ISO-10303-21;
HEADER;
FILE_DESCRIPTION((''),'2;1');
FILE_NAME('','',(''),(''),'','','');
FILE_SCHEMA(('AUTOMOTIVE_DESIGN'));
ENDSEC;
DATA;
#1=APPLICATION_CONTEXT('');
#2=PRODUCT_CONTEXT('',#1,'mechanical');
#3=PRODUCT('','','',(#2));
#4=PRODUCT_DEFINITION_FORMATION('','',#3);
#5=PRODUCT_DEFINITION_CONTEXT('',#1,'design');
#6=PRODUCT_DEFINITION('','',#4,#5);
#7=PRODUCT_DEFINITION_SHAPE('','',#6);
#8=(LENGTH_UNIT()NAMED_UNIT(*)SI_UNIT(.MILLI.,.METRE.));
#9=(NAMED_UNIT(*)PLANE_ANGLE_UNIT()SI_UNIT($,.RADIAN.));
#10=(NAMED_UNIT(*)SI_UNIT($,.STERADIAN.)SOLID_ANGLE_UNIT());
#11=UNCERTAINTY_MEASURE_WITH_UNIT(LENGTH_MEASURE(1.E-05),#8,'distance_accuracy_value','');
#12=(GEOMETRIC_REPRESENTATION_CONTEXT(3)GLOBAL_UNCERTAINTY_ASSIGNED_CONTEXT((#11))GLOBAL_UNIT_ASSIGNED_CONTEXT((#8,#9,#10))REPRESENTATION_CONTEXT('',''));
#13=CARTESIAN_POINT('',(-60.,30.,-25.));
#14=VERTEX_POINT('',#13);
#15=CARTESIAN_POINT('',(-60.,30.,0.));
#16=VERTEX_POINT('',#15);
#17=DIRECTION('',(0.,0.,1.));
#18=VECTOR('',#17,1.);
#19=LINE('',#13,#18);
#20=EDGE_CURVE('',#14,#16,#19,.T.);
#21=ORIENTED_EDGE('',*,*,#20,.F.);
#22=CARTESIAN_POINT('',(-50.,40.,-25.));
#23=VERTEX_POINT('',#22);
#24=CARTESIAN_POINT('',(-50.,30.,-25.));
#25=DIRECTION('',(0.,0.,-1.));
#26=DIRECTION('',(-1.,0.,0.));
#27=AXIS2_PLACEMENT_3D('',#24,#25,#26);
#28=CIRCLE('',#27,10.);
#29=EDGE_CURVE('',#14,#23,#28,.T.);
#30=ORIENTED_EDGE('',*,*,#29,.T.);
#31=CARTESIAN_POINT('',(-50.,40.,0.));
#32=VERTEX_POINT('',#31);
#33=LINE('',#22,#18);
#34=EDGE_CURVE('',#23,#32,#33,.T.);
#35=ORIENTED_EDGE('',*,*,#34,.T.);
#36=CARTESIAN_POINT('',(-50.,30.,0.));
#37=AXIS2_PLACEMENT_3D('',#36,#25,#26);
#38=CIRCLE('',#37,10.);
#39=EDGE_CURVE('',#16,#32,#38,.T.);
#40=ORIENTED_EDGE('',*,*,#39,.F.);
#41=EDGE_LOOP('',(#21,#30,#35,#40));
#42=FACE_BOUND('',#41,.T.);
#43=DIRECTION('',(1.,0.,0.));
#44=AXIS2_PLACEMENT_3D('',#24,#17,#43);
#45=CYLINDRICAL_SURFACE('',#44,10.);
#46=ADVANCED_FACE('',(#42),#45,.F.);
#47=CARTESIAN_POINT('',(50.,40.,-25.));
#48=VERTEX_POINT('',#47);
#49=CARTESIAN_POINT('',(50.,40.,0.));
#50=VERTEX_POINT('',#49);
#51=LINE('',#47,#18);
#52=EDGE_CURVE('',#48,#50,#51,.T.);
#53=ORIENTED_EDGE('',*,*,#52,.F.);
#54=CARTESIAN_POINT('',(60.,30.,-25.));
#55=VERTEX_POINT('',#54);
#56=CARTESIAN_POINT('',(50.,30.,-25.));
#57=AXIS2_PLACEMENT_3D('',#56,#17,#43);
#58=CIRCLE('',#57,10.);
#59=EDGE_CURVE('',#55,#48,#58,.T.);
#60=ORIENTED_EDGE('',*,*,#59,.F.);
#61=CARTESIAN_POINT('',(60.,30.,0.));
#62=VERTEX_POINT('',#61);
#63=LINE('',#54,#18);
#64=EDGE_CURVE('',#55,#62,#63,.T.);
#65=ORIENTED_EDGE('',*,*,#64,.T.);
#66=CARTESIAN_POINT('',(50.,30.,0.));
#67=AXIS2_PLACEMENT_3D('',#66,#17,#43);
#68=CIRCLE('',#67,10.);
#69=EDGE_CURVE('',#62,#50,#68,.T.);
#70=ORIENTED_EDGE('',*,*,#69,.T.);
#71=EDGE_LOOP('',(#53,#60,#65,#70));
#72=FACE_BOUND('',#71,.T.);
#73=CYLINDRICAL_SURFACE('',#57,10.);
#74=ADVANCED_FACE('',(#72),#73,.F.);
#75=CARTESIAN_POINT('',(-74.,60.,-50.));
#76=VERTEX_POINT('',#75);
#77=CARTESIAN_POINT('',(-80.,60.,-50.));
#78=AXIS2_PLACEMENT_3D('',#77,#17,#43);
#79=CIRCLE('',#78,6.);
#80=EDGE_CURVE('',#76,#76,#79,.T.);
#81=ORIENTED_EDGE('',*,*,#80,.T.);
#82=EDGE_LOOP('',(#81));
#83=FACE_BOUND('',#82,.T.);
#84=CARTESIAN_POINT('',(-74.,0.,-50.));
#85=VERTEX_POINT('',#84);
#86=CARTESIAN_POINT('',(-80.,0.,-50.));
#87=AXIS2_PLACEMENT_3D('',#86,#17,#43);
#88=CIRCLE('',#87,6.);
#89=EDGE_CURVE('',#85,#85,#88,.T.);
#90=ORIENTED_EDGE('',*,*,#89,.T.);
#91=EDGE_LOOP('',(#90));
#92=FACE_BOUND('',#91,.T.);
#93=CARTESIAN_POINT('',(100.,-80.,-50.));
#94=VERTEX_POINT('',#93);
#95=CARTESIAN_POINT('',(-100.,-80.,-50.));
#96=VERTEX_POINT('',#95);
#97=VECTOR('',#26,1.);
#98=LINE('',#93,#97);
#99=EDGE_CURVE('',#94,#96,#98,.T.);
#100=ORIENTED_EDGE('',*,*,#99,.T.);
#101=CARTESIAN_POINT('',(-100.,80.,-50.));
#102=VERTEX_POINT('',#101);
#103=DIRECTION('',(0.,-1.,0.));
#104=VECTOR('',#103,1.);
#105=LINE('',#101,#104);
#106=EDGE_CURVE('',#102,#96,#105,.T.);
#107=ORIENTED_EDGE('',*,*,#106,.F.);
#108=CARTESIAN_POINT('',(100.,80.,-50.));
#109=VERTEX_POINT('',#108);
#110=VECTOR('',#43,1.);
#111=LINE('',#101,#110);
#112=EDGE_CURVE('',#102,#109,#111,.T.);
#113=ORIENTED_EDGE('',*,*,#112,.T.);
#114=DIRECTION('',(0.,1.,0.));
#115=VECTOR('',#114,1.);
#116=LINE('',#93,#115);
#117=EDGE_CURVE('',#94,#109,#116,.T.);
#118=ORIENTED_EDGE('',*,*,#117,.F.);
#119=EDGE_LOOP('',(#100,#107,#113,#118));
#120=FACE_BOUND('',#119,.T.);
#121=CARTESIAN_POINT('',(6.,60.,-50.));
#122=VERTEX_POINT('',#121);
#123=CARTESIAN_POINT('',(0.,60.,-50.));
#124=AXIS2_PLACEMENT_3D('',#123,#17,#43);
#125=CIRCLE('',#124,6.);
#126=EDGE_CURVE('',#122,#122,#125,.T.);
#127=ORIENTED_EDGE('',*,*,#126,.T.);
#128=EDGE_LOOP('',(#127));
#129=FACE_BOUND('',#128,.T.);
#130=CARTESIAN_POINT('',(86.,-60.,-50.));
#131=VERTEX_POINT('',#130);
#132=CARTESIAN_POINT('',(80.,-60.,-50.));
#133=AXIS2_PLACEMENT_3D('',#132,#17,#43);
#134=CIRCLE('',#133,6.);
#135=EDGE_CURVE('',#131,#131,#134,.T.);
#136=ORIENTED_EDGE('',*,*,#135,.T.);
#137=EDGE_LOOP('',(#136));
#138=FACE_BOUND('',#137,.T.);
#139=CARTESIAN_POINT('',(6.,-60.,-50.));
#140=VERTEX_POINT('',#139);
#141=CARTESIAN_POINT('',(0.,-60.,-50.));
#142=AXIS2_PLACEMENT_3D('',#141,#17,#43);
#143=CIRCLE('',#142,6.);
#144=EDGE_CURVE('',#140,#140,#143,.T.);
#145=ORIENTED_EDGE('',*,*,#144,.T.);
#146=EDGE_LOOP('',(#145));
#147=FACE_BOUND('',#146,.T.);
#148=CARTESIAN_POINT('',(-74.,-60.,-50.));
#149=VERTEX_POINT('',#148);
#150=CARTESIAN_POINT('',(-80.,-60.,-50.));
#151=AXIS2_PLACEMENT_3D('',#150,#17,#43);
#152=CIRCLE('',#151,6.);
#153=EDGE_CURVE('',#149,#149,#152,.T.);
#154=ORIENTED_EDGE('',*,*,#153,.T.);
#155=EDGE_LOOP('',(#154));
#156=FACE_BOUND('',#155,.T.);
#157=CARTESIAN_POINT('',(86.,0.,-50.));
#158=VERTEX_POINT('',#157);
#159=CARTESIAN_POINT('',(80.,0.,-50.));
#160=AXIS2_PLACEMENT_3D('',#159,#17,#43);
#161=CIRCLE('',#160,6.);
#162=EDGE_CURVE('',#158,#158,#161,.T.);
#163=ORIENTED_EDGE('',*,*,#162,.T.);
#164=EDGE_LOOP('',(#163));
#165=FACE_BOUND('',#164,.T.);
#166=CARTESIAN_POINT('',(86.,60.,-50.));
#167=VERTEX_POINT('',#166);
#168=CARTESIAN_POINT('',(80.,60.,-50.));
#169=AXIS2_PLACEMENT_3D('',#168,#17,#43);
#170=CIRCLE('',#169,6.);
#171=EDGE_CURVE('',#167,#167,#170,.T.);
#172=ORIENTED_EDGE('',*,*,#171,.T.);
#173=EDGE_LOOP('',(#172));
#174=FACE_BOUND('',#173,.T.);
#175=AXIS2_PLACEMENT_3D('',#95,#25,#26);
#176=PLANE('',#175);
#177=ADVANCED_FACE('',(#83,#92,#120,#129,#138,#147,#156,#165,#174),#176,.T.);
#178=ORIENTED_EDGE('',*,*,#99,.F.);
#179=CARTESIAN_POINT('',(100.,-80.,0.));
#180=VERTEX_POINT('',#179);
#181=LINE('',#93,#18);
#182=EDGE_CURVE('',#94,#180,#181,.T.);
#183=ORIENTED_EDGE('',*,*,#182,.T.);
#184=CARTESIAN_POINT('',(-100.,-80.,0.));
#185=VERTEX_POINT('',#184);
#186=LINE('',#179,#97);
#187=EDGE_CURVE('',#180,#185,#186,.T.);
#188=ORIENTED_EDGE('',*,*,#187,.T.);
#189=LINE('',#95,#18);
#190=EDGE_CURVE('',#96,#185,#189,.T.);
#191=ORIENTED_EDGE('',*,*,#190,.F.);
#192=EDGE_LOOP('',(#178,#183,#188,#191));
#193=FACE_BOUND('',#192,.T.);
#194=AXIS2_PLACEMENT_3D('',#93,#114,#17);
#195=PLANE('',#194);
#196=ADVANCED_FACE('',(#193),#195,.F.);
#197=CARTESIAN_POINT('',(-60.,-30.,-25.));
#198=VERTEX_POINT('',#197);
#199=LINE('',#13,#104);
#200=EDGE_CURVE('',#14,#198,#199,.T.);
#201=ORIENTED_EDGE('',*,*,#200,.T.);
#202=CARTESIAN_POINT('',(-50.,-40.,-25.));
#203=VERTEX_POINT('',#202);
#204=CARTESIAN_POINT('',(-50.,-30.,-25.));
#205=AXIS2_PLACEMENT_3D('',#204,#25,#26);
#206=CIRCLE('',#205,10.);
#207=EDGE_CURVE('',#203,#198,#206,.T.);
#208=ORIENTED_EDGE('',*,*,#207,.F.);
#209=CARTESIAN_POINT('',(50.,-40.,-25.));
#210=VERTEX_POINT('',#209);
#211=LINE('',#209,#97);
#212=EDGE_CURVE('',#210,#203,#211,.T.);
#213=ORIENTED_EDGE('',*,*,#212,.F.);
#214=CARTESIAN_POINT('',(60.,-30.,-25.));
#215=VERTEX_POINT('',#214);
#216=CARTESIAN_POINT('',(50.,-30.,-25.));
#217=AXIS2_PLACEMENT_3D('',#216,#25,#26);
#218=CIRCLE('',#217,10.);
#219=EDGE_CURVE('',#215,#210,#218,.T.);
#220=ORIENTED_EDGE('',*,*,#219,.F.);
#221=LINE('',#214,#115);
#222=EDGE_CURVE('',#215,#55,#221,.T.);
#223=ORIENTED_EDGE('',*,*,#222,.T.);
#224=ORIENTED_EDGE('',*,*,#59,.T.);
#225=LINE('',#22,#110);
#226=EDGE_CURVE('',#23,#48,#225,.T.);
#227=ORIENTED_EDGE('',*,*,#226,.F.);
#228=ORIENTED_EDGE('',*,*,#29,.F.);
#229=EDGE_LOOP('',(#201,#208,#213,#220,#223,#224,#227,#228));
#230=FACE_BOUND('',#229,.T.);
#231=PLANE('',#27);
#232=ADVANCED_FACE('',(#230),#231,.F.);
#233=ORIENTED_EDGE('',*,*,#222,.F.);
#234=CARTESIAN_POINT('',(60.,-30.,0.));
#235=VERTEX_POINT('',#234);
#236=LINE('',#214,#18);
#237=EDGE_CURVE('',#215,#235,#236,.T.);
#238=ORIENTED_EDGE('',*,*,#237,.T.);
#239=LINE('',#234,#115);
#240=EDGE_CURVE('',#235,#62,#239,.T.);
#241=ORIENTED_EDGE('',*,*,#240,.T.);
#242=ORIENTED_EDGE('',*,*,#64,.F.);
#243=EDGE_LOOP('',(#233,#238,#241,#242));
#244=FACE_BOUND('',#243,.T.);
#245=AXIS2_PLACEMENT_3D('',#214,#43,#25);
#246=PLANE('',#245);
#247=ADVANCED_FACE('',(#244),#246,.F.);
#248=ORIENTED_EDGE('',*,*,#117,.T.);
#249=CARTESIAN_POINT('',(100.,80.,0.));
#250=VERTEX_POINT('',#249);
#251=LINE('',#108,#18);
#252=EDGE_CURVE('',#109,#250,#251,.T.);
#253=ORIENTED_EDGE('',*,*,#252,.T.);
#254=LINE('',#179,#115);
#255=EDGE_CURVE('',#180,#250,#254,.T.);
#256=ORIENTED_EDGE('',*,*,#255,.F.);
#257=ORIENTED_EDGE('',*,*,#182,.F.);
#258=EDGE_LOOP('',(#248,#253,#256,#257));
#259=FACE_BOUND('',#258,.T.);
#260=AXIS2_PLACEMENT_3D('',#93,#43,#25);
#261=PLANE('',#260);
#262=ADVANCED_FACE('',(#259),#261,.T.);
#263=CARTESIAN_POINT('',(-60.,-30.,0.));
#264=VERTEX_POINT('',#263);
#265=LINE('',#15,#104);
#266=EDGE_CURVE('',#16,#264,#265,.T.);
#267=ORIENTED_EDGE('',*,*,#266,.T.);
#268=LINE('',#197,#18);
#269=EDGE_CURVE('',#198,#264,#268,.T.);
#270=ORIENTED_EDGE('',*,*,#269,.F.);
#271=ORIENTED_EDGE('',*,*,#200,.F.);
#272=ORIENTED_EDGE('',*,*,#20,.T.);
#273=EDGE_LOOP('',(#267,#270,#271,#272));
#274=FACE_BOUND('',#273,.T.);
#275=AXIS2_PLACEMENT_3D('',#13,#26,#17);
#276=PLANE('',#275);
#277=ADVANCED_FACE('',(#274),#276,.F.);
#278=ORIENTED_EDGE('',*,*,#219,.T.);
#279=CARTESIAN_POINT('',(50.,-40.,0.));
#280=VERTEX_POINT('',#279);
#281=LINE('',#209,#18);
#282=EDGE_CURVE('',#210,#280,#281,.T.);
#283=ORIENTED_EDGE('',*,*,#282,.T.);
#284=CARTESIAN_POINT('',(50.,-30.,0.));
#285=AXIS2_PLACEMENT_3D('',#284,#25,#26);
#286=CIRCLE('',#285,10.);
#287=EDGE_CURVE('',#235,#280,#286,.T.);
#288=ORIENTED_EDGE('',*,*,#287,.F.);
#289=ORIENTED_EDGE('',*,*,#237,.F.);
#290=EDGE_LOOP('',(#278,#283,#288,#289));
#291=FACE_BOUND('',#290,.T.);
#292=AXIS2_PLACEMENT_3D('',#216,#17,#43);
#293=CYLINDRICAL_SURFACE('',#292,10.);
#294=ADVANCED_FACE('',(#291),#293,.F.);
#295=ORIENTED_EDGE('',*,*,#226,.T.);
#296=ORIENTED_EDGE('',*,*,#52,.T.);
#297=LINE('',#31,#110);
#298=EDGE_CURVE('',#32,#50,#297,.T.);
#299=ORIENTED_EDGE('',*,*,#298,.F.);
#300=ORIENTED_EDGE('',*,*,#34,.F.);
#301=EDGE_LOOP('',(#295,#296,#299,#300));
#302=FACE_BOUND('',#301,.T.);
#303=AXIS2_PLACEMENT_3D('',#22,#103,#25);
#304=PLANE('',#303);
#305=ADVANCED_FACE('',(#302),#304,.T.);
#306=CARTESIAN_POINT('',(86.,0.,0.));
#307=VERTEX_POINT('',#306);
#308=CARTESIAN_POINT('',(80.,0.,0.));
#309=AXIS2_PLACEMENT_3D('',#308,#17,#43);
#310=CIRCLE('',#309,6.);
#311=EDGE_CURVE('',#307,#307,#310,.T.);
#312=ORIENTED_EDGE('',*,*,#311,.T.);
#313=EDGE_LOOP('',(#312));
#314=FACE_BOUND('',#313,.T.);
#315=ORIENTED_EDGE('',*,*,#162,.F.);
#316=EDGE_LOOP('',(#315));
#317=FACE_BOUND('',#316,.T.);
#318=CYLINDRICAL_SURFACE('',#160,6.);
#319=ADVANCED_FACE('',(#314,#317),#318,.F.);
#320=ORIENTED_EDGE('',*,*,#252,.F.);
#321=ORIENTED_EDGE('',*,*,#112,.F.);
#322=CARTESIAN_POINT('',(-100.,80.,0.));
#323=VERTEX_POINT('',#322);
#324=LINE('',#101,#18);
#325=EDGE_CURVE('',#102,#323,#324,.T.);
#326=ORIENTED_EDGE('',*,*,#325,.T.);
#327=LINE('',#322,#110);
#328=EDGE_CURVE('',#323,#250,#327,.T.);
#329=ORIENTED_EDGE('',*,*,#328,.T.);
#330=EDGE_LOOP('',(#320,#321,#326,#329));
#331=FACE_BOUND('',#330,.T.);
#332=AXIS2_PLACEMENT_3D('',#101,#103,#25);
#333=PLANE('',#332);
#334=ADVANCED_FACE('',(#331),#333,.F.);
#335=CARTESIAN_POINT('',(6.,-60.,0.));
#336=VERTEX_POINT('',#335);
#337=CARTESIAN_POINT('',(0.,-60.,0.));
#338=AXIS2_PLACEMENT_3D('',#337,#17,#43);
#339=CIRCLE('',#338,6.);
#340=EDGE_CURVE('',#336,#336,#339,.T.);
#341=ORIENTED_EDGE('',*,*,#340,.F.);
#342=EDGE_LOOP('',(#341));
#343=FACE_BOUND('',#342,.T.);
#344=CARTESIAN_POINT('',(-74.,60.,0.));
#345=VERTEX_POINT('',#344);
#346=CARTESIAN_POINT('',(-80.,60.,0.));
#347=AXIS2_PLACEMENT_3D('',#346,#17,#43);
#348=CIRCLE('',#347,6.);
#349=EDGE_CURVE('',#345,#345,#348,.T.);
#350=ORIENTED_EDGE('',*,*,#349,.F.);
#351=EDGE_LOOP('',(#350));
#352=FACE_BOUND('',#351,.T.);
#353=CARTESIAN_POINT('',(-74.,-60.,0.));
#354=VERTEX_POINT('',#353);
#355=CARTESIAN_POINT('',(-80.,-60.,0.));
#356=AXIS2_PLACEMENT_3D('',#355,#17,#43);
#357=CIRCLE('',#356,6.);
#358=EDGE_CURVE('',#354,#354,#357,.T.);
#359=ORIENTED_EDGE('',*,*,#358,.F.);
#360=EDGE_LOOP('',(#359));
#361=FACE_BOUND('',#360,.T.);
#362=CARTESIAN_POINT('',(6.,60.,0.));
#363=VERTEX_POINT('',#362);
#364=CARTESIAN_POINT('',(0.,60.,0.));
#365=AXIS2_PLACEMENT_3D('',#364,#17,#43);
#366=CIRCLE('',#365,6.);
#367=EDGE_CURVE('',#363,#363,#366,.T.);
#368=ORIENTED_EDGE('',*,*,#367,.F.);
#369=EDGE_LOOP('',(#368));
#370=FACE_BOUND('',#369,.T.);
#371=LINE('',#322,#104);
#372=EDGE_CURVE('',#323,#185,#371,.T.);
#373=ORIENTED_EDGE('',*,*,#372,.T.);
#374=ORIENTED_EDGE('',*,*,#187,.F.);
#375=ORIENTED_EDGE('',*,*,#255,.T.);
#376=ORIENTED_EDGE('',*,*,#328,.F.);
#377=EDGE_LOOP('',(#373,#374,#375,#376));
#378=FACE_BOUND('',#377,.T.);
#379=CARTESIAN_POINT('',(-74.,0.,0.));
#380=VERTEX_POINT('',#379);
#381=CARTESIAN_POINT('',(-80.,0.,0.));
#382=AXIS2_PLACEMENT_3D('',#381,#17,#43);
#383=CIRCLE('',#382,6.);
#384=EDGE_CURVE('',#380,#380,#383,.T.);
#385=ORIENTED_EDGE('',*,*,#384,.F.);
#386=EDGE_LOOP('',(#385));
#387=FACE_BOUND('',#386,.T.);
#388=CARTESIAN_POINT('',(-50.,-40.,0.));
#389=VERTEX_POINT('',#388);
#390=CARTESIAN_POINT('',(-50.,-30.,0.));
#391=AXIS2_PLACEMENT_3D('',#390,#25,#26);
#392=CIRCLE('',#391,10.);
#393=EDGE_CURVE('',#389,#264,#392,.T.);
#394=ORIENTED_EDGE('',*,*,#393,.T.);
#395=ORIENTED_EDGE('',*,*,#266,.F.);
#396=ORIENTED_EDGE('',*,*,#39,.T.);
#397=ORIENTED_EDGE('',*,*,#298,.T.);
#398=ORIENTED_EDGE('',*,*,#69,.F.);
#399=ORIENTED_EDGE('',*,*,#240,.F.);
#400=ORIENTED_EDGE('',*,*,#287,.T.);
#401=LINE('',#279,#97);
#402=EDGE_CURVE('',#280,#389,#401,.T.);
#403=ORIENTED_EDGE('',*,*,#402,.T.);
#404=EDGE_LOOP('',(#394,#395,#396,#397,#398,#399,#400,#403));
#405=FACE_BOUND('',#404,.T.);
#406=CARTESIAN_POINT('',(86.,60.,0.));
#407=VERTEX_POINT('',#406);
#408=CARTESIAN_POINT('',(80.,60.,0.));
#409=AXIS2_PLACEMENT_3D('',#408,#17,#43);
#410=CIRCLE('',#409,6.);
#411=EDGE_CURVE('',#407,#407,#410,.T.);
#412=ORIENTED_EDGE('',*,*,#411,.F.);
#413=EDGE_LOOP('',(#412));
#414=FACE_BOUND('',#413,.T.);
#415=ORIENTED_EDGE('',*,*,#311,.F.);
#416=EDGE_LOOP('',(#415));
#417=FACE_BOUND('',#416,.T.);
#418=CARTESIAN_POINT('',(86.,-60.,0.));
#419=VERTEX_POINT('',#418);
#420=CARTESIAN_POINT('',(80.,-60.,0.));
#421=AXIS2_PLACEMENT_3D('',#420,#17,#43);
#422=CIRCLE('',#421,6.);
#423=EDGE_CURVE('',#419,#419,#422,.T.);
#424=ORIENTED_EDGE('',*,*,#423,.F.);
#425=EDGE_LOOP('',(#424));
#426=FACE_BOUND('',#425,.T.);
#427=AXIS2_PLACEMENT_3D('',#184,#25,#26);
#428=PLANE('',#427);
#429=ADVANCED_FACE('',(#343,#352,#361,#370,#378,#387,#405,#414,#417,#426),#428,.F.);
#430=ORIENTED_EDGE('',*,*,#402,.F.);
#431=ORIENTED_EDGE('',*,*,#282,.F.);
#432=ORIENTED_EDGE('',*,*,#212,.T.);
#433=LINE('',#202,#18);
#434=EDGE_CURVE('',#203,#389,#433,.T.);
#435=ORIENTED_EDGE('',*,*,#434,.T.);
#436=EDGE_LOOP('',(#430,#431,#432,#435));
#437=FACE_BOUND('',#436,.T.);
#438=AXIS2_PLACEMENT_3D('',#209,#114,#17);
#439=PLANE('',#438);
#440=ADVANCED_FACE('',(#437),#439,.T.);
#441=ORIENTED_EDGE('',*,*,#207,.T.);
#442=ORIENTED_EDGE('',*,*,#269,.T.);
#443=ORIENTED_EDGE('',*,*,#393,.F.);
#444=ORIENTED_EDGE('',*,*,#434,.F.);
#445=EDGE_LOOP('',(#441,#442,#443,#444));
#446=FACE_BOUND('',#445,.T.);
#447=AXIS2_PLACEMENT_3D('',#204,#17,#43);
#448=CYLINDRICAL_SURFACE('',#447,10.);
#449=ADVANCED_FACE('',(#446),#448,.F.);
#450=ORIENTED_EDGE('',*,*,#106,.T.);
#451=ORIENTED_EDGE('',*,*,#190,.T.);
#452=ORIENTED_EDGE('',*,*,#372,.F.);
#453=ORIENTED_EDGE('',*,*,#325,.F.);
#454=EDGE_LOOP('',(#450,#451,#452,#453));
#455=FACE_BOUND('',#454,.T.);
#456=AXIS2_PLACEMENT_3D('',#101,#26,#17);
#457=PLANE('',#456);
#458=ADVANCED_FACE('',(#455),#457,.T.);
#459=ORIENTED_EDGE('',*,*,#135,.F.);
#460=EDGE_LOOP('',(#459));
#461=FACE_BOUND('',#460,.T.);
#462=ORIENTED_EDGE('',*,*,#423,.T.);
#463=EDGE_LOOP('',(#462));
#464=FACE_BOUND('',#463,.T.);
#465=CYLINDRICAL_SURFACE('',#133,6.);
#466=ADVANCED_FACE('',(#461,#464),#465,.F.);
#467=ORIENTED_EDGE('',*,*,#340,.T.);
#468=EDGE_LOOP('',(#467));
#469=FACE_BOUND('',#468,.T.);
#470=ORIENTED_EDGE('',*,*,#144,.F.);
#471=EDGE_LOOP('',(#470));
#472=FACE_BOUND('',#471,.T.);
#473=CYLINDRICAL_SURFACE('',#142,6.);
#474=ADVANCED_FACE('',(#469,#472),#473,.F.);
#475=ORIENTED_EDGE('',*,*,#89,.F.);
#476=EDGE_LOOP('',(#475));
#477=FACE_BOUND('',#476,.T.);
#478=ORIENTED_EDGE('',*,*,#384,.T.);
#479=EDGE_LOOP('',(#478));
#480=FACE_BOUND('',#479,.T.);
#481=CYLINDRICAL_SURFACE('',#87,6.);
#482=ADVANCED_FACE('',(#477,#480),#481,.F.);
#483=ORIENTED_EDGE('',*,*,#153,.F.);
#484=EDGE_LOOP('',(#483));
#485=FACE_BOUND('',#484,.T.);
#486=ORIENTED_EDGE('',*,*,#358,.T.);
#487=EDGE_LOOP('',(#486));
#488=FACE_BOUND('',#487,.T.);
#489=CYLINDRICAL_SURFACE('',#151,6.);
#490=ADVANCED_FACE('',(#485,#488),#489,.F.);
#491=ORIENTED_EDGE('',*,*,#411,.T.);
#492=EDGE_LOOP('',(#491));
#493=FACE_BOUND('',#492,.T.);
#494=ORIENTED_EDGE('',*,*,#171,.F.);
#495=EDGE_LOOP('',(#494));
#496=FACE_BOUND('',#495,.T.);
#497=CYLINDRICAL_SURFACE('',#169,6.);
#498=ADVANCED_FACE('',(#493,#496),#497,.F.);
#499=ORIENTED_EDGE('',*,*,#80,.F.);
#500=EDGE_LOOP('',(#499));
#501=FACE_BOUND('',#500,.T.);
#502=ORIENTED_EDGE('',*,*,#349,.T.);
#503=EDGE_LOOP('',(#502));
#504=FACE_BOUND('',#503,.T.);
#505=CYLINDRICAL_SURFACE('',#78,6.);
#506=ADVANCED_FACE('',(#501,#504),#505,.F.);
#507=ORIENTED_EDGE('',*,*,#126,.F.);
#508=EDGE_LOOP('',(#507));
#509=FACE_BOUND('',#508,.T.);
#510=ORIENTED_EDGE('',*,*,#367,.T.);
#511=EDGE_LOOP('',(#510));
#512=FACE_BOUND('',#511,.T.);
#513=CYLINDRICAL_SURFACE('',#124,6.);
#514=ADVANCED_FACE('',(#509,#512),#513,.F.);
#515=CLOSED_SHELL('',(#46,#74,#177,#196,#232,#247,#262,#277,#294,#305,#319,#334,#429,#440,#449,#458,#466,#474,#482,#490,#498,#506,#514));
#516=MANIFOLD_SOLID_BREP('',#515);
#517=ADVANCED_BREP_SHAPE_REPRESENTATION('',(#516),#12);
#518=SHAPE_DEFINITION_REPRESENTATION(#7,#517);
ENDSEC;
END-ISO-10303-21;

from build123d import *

# Parameters (mm, degrees)
SKETCH1_W          = 200
SKETCH1_H          = 160
BASE_EXTRUDE_DEPTH = 50
CUT_EXTRUDE1_DEPTH = 25
SKETCH3_R          = 6
CUT_EXTRUDE2_DEPTH = 138.477270849


with BuildPart() as part:
    # Sketch1 → Base-Extrude (new body)
    with BuildSketch(Plane.XY):
        Rectangle(SKETCH1_W, SKETCH1_H)
    extrude(amount=-BASE_EXTRUDE_DEPTH)

    # Sketch2 → Cut-Extrude1 (cut)
    with BuildSketch(Plane.XY):
        with BuildLine():
            Line((-50, 40), (50, 40))
            ThreePointArc((50, 40), (57.071067812, 37.071067812), (60, 30))
            Line((60, 30), (60, -30))
            ThreePointArc((60, -30), (57.071067812, -37.071067812), (50, -40))
            Line((50, -40), (-50, -40))
            ThreePointArc((-50, -40), (-57.071067812, -37.071067812), (-60, -30))
            Line((-60, -30), (-60, 30))
            ThreePointArc((-60, 30), (-57.071067812, 37.071067812), (-50, 40))
        make_face()
    extrude(amount=-CUT_EXTRUDE1_DEPTH, mode=Mode.SUBTRACT)

    # Sketch3 → Cut-Extrude2 (cut, through all)
    with BuildSketch(Plane.XY):
        with Locations((-80, 60)):
            Circle(SKETCH3_R)
        with Locations((-80, 0)):
            Circle(SKETCH3_R)
        with Locations((-80, -60)):
            Circle(SKETCH3_R)
        with Locations((80, -60)):
            Circle(SKETCH3_R)
        with Locations((80, 0)):
            Circle(SKETCH3_R)
        with Locations((80, 60)):
            Circle(SKETCH3_R)
        with Locations((0, -60)):
            Circle(SKETCH3_R)
        with Locations((0, 60)):
            Circle(SKETCH3_R)
    extrude(amount=-CUT_EXTRUDE2_DEPTH, mode=Mode.SUBTRACT)


solid = part.part
